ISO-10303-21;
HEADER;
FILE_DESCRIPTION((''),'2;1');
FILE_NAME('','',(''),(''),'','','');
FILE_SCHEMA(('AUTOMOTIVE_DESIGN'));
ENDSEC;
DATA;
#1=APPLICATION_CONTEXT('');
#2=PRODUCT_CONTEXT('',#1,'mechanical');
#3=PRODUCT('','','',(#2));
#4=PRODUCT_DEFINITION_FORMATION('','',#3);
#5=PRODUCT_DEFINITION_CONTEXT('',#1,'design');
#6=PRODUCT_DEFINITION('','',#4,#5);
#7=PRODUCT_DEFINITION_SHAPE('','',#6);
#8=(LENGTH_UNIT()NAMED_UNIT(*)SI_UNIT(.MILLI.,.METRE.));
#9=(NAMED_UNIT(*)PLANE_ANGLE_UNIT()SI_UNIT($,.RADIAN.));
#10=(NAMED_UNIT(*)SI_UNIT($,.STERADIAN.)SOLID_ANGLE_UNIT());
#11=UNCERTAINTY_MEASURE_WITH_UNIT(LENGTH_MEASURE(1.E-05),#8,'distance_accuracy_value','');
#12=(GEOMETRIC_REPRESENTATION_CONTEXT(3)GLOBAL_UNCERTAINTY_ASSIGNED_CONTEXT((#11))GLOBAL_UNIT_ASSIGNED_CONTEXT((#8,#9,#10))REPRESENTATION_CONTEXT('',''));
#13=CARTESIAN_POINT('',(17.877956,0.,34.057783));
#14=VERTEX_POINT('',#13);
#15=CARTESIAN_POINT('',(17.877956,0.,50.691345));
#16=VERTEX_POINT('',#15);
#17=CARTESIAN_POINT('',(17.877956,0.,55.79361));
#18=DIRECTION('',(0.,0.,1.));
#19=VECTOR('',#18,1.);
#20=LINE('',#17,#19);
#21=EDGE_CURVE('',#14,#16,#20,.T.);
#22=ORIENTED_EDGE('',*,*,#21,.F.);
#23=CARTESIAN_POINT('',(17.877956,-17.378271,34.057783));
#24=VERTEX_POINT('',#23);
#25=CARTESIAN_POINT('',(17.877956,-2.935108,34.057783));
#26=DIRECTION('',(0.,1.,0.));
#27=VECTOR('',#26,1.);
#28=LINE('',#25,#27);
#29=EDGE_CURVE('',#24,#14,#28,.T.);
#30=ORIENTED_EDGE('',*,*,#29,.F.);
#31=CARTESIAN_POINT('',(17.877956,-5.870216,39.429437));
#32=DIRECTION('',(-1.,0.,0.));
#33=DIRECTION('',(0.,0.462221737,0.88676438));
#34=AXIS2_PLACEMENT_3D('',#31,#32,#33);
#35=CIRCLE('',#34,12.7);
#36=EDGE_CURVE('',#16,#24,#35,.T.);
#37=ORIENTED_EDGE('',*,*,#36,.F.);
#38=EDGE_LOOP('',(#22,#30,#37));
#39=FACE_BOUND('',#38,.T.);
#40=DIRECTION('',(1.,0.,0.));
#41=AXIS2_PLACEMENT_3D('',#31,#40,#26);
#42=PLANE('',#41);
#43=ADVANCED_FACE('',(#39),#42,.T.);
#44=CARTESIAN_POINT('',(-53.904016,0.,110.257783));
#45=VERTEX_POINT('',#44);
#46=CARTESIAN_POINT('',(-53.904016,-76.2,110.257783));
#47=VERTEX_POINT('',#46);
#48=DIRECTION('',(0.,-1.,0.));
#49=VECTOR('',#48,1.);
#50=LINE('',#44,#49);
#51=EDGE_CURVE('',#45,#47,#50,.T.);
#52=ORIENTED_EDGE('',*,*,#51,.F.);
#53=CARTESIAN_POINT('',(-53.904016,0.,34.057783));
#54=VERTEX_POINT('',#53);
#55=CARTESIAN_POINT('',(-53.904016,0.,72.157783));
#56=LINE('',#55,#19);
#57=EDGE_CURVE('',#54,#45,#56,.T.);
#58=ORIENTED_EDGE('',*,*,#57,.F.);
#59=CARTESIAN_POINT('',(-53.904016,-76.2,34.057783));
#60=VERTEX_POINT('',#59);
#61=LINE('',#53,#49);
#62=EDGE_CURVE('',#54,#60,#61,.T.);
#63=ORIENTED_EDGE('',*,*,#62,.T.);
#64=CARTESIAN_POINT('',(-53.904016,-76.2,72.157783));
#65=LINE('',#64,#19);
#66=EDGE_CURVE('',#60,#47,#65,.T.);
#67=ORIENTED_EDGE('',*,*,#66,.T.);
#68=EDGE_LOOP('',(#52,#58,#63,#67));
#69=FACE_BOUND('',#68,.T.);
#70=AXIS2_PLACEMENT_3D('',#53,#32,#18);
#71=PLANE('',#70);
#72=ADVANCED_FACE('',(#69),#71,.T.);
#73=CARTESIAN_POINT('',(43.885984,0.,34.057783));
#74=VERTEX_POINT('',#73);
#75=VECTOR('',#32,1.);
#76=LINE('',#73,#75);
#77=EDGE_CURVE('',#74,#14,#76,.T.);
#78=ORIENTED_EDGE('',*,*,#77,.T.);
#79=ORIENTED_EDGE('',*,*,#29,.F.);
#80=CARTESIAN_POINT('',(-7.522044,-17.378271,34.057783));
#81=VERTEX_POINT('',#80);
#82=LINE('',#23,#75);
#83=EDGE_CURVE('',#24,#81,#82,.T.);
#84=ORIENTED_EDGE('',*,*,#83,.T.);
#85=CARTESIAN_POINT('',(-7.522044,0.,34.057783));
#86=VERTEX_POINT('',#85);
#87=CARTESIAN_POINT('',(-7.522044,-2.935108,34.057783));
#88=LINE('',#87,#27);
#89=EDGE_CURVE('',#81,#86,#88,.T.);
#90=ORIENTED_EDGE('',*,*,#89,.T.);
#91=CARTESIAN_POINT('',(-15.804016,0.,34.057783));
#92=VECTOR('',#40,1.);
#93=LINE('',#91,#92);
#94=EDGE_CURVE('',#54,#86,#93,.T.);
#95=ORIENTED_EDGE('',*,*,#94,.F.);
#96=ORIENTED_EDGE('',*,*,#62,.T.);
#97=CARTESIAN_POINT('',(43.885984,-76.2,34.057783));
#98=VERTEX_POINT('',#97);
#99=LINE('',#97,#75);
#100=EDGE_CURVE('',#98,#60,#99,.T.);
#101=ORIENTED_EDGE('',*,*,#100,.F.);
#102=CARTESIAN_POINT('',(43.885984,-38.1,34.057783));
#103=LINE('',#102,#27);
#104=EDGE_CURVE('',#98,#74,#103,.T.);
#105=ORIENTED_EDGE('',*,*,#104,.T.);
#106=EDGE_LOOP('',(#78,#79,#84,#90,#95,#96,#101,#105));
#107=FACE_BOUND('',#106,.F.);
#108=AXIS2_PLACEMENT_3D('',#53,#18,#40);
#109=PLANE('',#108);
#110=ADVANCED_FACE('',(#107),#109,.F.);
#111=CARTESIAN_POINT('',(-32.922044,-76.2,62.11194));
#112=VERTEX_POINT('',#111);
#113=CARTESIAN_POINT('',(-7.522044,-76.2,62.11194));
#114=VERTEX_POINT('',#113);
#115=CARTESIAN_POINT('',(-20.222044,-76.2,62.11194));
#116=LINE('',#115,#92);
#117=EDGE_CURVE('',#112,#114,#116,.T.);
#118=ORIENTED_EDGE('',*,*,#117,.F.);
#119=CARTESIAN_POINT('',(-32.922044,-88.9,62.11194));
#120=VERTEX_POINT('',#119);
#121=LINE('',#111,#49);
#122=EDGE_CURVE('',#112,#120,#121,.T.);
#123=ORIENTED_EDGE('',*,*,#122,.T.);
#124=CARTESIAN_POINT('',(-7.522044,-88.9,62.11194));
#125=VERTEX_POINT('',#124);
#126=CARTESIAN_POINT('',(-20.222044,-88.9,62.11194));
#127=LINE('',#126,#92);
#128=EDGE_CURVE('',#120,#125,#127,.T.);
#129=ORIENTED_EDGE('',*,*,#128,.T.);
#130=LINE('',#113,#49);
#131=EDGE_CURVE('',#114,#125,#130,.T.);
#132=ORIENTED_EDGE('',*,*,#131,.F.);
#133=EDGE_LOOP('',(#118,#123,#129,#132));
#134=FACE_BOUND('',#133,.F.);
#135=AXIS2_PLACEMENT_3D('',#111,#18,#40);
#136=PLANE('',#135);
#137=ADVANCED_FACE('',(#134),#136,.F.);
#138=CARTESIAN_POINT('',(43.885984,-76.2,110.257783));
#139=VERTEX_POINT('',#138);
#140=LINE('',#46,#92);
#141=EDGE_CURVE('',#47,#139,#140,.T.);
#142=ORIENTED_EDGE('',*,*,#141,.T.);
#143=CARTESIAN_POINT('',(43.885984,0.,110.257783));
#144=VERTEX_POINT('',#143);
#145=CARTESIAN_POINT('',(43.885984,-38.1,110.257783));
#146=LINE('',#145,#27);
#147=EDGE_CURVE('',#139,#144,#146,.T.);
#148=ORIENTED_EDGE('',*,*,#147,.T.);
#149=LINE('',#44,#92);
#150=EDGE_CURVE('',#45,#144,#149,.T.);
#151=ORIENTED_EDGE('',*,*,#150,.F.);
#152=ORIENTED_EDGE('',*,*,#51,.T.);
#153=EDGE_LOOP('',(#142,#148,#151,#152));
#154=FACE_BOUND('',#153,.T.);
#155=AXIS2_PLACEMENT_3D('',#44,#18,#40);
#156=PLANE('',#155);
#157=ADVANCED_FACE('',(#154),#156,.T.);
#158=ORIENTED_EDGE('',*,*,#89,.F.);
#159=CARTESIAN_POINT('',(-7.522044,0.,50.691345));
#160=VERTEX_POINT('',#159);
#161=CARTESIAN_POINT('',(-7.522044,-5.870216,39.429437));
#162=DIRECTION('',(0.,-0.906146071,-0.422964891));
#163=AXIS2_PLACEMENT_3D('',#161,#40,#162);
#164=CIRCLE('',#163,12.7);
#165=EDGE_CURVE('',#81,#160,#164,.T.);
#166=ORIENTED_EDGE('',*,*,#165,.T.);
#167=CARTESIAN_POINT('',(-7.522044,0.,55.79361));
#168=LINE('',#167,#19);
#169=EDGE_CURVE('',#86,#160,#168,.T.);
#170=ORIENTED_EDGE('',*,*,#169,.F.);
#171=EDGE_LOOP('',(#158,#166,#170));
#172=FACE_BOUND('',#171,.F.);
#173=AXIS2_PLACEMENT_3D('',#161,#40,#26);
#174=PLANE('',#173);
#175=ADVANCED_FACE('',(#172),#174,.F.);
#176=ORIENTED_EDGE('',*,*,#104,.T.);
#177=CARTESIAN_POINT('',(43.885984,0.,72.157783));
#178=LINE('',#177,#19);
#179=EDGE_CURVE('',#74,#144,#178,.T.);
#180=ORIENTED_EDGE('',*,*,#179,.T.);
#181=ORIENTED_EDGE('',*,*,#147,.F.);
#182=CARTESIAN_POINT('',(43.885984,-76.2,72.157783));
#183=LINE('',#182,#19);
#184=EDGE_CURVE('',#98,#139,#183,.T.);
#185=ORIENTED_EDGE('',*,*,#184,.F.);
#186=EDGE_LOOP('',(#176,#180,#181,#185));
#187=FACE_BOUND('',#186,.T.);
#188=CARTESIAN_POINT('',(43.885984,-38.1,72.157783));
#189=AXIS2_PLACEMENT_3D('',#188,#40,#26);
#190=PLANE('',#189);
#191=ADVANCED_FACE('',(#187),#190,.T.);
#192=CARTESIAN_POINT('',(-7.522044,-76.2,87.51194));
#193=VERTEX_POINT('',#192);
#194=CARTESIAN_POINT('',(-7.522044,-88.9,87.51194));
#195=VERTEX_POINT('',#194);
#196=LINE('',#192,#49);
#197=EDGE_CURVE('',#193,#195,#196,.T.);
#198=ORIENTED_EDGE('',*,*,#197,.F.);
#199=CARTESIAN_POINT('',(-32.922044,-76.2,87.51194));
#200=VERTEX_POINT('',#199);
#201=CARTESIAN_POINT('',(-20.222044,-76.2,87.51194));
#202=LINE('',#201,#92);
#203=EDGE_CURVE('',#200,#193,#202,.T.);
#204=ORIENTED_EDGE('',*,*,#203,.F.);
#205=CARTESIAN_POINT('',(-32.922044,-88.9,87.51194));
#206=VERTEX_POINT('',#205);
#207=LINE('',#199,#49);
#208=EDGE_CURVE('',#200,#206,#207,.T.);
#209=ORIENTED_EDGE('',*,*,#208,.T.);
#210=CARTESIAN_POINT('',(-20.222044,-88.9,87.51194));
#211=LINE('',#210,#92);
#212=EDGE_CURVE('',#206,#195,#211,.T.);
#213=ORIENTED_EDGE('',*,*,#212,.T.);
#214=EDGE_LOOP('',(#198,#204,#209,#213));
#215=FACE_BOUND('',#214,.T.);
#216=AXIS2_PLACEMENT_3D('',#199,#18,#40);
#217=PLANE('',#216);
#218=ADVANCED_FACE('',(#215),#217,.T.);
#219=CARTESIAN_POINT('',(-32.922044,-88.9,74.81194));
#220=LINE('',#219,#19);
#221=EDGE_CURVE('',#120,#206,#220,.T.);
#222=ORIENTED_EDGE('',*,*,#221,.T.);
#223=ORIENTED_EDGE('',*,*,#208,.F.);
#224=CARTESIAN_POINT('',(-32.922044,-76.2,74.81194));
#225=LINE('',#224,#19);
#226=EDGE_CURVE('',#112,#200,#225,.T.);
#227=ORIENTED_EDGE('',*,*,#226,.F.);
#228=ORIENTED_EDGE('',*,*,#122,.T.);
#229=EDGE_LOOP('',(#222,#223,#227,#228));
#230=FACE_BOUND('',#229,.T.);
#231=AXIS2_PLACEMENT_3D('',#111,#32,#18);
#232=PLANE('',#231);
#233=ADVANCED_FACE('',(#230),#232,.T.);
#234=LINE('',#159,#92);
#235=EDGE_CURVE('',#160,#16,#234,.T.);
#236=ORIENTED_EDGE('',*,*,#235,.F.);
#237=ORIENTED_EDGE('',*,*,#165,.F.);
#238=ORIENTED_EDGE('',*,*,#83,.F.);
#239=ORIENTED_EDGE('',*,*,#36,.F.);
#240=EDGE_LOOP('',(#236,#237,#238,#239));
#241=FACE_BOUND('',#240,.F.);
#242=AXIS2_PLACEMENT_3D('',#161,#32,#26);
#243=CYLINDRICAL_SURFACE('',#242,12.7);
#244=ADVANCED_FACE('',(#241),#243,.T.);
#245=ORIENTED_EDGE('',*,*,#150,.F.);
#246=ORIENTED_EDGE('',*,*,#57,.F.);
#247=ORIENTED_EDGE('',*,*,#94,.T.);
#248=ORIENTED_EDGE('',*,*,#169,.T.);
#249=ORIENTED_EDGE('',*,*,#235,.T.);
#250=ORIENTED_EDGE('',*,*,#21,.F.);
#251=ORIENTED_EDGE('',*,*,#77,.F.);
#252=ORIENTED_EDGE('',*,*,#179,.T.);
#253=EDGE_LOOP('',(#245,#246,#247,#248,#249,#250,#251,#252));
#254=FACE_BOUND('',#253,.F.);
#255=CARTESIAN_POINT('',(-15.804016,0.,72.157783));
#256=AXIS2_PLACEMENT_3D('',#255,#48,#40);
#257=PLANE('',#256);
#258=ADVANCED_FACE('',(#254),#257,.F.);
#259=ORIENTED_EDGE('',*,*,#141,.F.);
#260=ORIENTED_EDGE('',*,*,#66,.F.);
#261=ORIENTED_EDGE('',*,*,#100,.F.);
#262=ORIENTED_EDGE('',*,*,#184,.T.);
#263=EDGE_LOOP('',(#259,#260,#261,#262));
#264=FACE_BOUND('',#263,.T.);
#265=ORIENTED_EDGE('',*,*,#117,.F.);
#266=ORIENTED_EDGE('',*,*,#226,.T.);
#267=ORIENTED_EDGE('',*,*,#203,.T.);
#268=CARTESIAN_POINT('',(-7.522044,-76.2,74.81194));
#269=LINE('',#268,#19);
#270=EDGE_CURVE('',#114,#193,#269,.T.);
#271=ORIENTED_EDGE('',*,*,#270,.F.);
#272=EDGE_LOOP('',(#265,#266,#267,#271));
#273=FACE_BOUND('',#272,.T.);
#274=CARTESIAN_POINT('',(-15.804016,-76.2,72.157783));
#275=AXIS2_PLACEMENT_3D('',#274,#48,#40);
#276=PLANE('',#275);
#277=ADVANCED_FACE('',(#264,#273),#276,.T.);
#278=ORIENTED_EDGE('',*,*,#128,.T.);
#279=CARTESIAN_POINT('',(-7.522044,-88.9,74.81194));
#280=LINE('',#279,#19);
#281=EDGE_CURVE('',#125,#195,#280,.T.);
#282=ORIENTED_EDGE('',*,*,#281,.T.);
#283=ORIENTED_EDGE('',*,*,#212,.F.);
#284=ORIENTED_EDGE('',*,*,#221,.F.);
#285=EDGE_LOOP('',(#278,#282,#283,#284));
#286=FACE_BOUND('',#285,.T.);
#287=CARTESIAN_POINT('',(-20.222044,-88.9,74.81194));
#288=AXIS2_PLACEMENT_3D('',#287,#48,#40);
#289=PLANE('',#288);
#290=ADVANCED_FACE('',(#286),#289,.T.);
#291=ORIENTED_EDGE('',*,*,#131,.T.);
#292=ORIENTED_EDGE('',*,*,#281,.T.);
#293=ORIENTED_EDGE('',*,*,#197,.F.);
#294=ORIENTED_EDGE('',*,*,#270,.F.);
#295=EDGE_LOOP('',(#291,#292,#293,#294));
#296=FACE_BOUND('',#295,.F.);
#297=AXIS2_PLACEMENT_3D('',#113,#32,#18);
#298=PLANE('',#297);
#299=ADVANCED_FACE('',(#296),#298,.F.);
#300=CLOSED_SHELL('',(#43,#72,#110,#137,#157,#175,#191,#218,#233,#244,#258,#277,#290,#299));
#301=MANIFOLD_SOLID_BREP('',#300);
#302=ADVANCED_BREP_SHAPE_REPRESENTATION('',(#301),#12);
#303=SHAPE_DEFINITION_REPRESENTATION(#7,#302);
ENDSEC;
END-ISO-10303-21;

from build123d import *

# Parameters (mm, degrees)
F0_W       = 76.2
F0_H       = 76.2
F1_DEPTH   = 76.2
F2_W       = 25.4
F2_H       = 25.4
F3_DEPTH   = 12.7
F4_R       = 12.7
F1_FACE1_W = 76.2
F1_FACE1_H = 76.2
F5_DEPTH   = 21.59
F6_DEPTH   = 25.4


with BuildPart() as f1:
    # F0 (on Front) → F1 (new body)
    with BuildSketch(Plane.XZ):
        with Locations((-15.8040157244, 72.1577832595)):
            Rectangle(F0_W, F0_H)
    extrude(amount=F1_DEPTH)

    # F2 (on face) → F3 (join)
    with BuildSketch(Plane.XZ.offset(76.2)):
        with Locations((-20.2220443964, 74.8119402349)):
            Rectangle(F2_W, F2_H)
    extrude(amount=F3_DEPTH)

    # F4 (on face) + F1_face1 (on face) → F5 (join)
    with BuildSketch(Plane.YZ.offset(-7.5220443964)):
        with Locations((-5.8702160604, 39.4294373691)):
            Circle(F4_R)
    with BuildSketch(Plane(origin=(22.2959842756, -38.1, 72.1577832595), x_dir=(0, 1, 0), z_dir=(1, 0, 0))):
        Rectangle(F1_FACE1_W, F1_FACE1_H)
    extrude(amount=F5_DEPTH)

    # F4 (on face) → F6 (join)
    with BuildSketch(Plane.YZ.offset(-7.5220443964)):
        with Locations((-5.8702160604, 39.4294373691)):
            Circle(F4_R)
    extrude(amount=F6_DEPTH)


solid = f1.part
